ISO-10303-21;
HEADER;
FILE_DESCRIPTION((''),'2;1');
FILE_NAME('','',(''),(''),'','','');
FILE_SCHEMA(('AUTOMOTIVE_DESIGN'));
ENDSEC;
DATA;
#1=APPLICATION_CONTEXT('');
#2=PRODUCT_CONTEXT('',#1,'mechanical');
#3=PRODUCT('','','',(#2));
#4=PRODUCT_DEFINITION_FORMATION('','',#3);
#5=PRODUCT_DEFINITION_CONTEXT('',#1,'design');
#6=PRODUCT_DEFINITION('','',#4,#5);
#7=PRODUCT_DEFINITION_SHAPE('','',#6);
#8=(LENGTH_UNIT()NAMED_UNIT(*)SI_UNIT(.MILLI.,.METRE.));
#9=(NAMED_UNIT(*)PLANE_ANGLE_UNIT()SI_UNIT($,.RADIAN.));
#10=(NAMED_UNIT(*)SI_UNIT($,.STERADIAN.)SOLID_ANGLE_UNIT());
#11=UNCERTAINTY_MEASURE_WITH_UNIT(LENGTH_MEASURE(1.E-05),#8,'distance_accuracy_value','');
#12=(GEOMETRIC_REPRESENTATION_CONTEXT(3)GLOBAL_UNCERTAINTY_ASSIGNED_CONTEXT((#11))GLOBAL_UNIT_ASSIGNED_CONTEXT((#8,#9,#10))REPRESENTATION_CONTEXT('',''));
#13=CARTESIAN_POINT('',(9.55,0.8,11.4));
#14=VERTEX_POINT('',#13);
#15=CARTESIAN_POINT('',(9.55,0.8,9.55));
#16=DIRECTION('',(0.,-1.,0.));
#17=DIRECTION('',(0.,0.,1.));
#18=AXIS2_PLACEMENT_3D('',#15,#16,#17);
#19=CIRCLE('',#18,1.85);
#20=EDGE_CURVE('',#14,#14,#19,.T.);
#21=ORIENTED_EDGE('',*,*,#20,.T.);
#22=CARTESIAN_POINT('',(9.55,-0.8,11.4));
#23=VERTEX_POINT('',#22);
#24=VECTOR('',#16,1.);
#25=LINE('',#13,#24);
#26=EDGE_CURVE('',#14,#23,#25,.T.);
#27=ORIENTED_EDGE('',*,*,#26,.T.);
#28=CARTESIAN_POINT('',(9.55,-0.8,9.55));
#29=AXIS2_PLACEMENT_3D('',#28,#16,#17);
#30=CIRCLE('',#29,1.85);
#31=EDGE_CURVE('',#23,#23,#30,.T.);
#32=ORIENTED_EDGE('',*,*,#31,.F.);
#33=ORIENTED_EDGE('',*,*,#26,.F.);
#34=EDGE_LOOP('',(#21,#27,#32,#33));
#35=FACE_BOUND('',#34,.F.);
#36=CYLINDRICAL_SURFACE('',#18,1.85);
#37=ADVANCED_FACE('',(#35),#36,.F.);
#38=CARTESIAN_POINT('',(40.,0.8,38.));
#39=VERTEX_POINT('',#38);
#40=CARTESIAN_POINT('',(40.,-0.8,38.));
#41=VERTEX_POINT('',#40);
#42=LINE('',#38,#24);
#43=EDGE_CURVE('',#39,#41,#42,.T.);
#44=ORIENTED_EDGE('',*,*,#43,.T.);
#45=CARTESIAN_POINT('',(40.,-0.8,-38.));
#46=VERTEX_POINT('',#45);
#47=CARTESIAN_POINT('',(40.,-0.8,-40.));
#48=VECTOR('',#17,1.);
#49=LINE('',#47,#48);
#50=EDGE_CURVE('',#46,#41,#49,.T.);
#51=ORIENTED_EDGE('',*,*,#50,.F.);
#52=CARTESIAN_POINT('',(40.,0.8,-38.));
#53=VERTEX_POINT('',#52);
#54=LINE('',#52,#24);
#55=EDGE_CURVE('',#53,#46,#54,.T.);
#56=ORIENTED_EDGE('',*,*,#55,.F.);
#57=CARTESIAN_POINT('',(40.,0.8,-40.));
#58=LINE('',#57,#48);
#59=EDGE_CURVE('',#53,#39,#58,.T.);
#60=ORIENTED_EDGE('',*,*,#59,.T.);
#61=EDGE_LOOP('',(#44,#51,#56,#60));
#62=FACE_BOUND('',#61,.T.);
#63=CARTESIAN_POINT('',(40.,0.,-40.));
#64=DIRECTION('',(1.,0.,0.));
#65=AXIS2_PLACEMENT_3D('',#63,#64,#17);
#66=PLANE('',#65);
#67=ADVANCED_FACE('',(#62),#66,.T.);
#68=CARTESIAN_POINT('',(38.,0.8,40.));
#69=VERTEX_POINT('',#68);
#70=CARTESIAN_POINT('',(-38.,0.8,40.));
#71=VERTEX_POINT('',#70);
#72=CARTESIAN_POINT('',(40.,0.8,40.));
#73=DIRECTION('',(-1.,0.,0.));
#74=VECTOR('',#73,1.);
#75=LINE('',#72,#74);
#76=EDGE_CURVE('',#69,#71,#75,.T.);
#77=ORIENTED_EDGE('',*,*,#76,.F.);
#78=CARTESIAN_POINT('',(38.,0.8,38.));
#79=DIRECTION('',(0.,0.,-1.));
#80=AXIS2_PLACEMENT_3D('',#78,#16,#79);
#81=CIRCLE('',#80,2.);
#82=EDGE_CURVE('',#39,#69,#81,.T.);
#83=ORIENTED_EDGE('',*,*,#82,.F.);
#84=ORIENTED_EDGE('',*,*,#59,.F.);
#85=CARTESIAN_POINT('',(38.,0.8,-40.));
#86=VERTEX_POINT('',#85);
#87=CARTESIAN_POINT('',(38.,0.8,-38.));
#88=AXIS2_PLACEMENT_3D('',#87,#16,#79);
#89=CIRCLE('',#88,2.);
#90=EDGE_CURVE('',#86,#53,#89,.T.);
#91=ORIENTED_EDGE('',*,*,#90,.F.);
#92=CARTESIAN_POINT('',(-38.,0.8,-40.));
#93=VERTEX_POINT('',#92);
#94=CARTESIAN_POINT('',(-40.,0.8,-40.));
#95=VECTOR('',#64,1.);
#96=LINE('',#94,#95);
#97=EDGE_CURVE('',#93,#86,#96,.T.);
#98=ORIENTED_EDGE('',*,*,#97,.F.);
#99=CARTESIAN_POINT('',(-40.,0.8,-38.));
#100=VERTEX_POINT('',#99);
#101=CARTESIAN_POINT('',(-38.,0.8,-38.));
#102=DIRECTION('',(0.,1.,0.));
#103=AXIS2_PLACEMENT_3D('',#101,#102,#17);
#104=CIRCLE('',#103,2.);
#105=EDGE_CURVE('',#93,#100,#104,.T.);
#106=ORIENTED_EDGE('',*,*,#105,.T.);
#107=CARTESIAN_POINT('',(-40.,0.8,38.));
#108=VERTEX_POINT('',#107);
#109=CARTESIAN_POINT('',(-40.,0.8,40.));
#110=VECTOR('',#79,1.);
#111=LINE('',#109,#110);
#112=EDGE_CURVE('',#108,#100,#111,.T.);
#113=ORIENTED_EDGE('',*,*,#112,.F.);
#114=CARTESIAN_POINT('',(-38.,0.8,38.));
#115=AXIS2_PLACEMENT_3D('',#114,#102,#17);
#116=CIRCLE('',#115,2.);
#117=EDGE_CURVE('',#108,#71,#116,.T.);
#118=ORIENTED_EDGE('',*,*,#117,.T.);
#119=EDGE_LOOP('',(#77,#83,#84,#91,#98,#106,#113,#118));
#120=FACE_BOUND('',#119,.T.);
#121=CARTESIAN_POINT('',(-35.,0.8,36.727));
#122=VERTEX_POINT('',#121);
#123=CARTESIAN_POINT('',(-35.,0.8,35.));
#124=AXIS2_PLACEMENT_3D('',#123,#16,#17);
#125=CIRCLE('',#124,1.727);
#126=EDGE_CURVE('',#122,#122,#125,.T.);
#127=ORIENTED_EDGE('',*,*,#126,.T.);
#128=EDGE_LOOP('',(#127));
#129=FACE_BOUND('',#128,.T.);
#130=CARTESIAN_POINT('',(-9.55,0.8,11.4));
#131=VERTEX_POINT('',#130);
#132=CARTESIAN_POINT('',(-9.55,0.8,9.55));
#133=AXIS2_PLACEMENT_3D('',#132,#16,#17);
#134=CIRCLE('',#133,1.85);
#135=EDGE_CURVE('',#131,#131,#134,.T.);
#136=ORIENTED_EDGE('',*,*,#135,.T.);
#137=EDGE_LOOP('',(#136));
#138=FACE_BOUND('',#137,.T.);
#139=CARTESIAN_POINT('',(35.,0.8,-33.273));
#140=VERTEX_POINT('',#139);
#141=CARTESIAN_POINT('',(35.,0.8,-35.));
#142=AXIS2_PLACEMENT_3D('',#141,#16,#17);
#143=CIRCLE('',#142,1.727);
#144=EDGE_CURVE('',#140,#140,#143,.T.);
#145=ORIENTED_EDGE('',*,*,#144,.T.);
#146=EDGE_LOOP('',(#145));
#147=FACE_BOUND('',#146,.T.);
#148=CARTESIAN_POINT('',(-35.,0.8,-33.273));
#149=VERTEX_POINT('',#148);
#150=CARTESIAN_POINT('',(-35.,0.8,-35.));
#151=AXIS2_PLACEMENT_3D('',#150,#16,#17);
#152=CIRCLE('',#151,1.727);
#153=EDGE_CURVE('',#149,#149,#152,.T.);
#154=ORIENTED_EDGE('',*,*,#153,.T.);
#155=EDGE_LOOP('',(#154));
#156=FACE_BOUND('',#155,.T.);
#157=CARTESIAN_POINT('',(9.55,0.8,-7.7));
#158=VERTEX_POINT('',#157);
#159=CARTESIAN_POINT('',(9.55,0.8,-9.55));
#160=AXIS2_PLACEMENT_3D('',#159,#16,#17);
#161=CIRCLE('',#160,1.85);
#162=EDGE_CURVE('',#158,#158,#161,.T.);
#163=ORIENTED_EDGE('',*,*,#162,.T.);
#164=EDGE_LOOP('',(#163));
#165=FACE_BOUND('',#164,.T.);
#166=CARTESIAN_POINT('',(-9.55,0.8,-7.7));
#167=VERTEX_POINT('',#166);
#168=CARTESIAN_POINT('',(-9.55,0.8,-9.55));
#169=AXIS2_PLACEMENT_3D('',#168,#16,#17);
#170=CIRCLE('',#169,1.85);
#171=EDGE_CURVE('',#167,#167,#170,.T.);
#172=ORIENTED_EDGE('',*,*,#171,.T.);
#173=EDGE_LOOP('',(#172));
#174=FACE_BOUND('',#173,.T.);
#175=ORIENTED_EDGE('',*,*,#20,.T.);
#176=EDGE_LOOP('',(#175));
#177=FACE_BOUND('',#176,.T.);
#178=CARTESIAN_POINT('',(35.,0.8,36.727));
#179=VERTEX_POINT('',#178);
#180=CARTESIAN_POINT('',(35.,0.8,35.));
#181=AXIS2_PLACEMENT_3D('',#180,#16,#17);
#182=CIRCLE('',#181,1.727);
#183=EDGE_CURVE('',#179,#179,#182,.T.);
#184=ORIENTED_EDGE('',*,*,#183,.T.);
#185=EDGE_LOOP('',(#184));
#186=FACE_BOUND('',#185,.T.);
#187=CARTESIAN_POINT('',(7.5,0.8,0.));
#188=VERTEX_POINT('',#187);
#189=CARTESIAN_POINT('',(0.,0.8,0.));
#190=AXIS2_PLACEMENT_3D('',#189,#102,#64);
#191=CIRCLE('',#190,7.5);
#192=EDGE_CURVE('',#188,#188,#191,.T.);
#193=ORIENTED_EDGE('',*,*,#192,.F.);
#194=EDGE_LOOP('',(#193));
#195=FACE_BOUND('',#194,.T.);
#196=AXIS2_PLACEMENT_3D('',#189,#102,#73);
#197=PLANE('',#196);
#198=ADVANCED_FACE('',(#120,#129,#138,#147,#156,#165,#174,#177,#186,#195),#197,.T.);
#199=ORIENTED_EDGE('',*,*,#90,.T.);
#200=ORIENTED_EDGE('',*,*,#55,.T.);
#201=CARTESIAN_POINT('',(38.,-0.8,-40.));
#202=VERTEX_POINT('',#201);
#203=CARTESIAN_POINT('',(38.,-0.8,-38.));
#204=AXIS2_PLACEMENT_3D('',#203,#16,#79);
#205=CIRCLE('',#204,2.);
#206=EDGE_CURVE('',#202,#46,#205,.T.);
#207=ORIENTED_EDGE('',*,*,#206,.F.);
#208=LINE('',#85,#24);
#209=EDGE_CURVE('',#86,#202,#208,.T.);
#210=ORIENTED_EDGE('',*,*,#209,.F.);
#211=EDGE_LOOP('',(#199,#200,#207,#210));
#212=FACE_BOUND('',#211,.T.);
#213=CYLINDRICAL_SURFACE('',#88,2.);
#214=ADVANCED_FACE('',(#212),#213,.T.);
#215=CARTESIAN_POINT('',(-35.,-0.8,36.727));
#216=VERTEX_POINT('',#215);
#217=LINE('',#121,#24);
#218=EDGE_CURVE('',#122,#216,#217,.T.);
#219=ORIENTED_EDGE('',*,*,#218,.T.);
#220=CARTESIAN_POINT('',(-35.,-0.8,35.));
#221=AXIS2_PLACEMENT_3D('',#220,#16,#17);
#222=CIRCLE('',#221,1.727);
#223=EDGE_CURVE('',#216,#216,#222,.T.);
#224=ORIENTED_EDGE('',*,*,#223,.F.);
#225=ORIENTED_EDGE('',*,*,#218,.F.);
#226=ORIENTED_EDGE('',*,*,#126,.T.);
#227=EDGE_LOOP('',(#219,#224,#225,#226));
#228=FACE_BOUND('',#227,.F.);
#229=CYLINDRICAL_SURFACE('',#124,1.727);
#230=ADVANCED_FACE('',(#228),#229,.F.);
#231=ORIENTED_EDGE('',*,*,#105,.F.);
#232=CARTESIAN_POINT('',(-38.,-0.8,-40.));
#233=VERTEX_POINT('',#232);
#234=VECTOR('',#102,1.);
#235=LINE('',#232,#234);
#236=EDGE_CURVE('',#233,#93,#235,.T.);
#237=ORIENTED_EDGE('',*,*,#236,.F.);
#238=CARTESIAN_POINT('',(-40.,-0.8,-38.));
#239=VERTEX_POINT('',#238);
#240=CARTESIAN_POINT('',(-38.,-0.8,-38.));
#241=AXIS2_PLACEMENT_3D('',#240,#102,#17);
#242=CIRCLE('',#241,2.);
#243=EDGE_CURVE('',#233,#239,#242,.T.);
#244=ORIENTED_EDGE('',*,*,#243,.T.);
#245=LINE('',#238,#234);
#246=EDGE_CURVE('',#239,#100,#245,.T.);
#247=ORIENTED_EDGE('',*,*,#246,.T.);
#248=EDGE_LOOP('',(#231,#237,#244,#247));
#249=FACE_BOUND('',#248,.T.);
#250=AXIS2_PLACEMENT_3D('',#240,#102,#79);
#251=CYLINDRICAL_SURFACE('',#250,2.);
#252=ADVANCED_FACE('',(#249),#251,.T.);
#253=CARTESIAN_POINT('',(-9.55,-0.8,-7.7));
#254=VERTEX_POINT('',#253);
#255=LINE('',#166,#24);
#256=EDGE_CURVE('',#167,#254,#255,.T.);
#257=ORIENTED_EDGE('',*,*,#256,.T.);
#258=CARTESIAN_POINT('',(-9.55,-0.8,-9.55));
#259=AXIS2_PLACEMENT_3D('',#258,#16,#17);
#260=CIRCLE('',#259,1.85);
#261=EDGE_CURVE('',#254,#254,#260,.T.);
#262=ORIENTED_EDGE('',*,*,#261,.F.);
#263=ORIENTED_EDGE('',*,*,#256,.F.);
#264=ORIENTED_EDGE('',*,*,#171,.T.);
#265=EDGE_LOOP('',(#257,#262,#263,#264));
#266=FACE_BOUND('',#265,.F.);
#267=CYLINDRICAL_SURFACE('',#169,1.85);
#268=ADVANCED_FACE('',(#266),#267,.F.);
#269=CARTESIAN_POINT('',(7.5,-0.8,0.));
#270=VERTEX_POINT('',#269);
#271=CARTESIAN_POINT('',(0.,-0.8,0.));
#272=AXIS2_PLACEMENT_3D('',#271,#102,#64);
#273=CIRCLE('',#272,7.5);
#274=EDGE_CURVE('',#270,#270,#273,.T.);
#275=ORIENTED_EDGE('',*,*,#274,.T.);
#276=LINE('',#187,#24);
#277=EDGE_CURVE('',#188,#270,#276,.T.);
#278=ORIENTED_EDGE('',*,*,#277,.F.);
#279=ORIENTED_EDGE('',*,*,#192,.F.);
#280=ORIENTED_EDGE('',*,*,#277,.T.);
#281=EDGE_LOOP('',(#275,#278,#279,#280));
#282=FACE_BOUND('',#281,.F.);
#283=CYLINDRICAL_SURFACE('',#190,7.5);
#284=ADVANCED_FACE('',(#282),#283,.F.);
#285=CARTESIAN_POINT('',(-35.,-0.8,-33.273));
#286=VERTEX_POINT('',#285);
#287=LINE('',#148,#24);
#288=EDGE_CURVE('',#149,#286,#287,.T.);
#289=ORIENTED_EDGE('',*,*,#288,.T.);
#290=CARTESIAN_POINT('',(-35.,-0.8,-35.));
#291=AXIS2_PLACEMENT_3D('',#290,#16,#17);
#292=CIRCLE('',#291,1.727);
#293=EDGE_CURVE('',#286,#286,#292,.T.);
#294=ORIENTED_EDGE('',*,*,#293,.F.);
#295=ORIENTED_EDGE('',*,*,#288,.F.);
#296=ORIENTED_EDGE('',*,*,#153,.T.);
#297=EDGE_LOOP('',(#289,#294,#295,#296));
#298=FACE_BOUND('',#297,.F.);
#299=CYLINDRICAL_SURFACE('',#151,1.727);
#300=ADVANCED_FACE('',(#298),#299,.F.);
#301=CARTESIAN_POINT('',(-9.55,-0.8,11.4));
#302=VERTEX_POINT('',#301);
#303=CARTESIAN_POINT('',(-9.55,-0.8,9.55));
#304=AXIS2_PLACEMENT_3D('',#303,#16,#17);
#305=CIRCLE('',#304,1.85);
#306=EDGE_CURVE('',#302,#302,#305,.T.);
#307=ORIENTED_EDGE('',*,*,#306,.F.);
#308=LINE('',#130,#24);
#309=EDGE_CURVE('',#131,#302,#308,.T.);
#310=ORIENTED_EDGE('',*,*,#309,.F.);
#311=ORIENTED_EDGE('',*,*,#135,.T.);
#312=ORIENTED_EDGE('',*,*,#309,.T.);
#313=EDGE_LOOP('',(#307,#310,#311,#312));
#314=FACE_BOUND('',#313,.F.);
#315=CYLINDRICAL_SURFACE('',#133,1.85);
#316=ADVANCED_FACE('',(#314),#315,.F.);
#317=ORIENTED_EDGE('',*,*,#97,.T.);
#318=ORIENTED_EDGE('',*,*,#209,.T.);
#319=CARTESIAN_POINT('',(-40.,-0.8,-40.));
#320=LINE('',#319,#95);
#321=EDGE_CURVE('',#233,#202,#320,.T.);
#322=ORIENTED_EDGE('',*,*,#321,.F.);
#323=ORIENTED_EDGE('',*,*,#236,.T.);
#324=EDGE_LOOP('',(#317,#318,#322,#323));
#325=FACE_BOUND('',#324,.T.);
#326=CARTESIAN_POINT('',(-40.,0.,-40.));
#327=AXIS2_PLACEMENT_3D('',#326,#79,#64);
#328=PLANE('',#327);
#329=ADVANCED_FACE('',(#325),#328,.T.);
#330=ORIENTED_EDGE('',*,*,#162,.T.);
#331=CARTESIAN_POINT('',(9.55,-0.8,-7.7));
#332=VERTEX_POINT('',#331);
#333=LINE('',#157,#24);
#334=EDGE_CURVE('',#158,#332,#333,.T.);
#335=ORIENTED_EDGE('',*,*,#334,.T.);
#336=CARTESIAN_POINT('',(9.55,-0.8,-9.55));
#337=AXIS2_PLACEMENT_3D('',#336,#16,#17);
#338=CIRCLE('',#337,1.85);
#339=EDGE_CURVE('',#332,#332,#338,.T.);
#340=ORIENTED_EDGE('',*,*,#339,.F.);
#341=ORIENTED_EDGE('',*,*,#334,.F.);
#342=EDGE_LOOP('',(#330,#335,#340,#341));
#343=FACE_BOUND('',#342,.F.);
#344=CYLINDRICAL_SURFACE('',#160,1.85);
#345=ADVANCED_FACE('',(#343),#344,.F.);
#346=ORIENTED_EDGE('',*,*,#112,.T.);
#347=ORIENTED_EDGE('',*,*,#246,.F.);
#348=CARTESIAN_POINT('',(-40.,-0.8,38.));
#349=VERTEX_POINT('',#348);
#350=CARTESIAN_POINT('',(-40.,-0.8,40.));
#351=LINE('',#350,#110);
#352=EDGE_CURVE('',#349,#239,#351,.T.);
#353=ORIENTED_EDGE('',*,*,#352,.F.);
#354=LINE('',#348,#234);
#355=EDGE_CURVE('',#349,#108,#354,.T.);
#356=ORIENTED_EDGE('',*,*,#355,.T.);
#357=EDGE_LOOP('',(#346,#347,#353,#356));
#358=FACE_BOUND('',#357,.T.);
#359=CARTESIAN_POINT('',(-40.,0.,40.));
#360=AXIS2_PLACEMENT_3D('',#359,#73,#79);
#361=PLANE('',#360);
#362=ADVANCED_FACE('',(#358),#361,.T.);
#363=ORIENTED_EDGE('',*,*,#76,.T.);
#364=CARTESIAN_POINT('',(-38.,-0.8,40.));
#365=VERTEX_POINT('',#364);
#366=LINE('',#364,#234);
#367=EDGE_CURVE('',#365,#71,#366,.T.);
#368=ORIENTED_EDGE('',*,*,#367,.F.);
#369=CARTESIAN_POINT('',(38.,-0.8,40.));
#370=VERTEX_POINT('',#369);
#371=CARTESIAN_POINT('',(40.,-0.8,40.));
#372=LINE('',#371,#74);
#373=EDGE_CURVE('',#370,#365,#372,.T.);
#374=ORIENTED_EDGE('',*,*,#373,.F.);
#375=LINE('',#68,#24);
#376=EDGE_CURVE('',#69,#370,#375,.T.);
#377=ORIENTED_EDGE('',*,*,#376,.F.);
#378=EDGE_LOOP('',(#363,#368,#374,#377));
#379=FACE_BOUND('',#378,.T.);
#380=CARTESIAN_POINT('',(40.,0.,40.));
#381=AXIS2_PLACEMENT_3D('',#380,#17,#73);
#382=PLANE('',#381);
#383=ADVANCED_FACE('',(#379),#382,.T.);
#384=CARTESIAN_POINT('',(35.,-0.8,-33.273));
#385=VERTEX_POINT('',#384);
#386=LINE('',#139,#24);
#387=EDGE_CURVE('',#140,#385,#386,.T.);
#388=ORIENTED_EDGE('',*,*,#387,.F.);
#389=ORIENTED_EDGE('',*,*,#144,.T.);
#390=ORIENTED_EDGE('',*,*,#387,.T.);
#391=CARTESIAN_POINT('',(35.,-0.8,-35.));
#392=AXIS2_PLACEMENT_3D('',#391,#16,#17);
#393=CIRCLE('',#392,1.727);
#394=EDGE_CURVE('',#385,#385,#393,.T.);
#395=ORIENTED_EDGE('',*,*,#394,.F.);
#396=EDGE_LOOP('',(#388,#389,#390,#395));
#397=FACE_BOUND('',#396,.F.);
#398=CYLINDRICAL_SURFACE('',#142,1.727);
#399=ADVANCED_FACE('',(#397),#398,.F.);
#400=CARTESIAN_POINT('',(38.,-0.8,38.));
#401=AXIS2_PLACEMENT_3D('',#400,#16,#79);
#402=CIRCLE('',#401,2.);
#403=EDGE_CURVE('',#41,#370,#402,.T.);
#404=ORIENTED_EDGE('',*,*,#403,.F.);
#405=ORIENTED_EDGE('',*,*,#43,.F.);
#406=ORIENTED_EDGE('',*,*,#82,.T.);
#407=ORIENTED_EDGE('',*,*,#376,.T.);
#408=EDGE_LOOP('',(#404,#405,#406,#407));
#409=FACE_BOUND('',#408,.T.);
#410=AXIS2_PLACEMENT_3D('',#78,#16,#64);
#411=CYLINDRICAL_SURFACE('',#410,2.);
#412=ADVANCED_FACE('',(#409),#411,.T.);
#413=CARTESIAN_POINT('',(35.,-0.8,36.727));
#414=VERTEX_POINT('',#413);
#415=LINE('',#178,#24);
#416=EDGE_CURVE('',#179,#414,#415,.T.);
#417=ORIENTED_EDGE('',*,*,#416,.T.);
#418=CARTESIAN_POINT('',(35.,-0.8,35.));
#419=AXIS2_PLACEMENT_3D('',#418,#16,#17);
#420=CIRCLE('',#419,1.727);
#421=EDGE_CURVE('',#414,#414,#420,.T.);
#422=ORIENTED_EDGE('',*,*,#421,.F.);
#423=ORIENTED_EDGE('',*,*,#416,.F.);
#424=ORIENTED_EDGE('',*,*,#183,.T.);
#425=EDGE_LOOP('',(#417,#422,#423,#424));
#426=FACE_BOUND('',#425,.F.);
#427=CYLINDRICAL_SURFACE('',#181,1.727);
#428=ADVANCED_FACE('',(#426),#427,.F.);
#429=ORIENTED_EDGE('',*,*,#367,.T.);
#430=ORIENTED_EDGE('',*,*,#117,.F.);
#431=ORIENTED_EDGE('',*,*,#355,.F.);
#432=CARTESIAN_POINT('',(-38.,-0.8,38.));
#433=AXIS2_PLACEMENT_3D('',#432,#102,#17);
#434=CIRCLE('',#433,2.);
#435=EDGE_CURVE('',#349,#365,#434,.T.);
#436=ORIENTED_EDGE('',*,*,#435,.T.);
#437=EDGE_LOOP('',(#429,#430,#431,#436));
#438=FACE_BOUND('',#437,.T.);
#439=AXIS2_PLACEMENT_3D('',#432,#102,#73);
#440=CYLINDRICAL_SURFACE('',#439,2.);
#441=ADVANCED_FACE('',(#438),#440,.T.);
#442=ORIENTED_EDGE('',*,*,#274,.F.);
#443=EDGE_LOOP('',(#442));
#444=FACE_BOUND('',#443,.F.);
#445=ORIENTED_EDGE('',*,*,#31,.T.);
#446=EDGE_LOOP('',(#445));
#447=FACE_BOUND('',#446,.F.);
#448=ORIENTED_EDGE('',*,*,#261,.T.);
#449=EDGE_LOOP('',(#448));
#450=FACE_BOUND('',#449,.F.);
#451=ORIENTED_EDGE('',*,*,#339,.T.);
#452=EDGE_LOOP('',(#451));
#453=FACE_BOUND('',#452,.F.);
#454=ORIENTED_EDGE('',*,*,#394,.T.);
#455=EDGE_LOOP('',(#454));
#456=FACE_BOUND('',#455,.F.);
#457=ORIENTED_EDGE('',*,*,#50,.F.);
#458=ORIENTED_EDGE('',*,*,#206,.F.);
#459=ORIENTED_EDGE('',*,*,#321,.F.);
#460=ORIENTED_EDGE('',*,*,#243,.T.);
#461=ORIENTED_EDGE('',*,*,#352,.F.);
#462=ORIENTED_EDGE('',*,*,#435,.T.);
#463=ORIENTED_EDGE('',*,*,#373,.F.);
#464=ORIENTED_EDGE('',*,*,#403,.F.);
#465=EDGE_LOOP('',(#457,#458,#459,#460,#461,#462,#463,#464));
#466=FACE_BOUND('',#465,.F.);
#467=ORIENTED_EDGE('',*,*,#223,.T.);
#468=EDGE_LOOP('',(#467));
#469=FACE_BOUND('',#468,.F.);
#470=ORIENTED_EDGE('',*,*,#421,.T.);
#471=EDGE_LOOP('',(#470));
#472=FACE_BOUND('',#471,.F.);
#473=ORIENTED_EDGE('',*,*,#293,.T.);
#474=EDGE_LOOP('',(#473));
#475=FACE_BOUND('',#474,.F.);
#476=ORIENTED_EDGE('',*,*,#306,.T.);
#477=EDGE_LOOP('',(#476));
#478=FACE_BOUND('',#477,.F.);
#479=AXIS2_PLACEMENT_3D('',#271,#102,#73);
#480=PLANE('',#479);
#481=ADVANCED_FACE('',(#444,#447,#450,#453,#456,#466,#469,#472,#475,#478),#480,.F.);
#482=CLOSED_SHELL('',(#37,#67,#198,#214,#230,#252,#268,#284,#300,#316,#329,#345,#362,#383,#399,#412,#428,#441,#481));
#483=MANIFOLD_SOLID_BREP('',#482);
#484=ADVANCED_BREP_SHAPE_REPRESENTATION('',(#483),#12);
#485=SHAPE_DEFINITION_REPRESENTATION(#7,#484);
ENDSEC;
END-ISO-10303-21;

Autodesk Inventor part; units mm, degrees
ref_plane "YZ Plane" through (0, 0, 0) normal (1, 0, 0) x (0, 1, 0)
ref_plane "XZ Plane" through (0, 0, 0) normal (0, 1, 0) x (-1, 0, 0)
ref_plane "XY Plane" through (0, 0, 0) normal (0, 0, 1) x (1, 0, 0)
sketch "Sketch1" plane through (0, 0, 0) normal (0, 1, 0) x (-1, 0, 0)
  line L0 (40, -40) -> (-40, -40)
  line L1 (-40, -40) -> (-40, 40)
  line L2 (-40, 40) -> (40, 40)
  line L3 (40, 40) -> (40, -40)
  point P0 (0, 0)
  point P1 (0, -40)
  point P2 (-40, 0)
  dimension "d15" = 80
  dimension "d16" = 80
extrude "Extrusion1" add sketch "Sketch1" along normal mid plane 1.6
fillet "Fillet1" radius 2 4 edges at (-40, 0, 40) (40, 0, 40) (40, 0, -40) (-40, 0, -40)
sketch "Sketch2" plane through (0, 0.8, 0) normal (0, 1, 0) x (1, 0, 0)
  line L0 (0, 0) -> (-7.9877, 0) construction
  line L1 (0, 0) -> (0, 5.5351) construction
  point P0 (-35, -35)
  point P1 (-35, 35)
  point P2 (35, -35)
  point P3 (35, 35)
  dimension "d18" = 35
  dimension "d19" = 35
hole "Hole1" at (-35, 0.8, 35) at (-35, 0.8, -35) at (35, 0.8, 35) at (35, 0.8, -35) direction (0, -1, 0) diameter 3.454 end through all clearance for "Flat Head Machine Screw (82)" size "#4" standard "Ansi Unified Screw Threads"
sketch "Sketch3" plane through (0, 0.8, 0) normal (0, 1, 0) x (1, 0, 0)
  line L0 (-12.55, 12.55) -> (12.55, 12.55)
  line L1 (12.55, 12.55) -> (12.55, -12.55)
  line L2 (12.55, -12.55) -> (-12.55, -12.55)
  line L3 (-12.55, -12.55) -> (-12.55, 12.55)
  line L4 (0, 0) -> (0, 3.6765) construction
  line L5 (0, 0) -> (3.2883, 0) construction
  point P0 (12.55, 0)
  point P1 (0, 12.55)
  point P2 (-9.55, 9.55)
  point P3 (9.55, 9.55)
  point P4 (-9.55, -9.55)
  point P5 (9.55, -9.55)
  dimension "d27" = 25.1
  dimension "d28" = 25.1
  dimension "d29" = 3
  dimension "d30" = 3
hole "Hole2" at (-9.55, 0.8, -9.55) at (9.55, 0.8, -9.55) at (-9.55, 0.8, 9.55) at (9.55, 0.8, 9.55) direction (0, -1, 0) diameter 3.7 end through all
sketch "Sketch4" plane through (0, 0.8, 0) normal (0, 1, 0) x (1, 0, 0)
  circle A0 centre (0, 0) radius 7.5
  dimension "d38" = 15
extrude "Extrusion2" cut sketch "Sketch4" against normal through all
properties part number "pcb"
